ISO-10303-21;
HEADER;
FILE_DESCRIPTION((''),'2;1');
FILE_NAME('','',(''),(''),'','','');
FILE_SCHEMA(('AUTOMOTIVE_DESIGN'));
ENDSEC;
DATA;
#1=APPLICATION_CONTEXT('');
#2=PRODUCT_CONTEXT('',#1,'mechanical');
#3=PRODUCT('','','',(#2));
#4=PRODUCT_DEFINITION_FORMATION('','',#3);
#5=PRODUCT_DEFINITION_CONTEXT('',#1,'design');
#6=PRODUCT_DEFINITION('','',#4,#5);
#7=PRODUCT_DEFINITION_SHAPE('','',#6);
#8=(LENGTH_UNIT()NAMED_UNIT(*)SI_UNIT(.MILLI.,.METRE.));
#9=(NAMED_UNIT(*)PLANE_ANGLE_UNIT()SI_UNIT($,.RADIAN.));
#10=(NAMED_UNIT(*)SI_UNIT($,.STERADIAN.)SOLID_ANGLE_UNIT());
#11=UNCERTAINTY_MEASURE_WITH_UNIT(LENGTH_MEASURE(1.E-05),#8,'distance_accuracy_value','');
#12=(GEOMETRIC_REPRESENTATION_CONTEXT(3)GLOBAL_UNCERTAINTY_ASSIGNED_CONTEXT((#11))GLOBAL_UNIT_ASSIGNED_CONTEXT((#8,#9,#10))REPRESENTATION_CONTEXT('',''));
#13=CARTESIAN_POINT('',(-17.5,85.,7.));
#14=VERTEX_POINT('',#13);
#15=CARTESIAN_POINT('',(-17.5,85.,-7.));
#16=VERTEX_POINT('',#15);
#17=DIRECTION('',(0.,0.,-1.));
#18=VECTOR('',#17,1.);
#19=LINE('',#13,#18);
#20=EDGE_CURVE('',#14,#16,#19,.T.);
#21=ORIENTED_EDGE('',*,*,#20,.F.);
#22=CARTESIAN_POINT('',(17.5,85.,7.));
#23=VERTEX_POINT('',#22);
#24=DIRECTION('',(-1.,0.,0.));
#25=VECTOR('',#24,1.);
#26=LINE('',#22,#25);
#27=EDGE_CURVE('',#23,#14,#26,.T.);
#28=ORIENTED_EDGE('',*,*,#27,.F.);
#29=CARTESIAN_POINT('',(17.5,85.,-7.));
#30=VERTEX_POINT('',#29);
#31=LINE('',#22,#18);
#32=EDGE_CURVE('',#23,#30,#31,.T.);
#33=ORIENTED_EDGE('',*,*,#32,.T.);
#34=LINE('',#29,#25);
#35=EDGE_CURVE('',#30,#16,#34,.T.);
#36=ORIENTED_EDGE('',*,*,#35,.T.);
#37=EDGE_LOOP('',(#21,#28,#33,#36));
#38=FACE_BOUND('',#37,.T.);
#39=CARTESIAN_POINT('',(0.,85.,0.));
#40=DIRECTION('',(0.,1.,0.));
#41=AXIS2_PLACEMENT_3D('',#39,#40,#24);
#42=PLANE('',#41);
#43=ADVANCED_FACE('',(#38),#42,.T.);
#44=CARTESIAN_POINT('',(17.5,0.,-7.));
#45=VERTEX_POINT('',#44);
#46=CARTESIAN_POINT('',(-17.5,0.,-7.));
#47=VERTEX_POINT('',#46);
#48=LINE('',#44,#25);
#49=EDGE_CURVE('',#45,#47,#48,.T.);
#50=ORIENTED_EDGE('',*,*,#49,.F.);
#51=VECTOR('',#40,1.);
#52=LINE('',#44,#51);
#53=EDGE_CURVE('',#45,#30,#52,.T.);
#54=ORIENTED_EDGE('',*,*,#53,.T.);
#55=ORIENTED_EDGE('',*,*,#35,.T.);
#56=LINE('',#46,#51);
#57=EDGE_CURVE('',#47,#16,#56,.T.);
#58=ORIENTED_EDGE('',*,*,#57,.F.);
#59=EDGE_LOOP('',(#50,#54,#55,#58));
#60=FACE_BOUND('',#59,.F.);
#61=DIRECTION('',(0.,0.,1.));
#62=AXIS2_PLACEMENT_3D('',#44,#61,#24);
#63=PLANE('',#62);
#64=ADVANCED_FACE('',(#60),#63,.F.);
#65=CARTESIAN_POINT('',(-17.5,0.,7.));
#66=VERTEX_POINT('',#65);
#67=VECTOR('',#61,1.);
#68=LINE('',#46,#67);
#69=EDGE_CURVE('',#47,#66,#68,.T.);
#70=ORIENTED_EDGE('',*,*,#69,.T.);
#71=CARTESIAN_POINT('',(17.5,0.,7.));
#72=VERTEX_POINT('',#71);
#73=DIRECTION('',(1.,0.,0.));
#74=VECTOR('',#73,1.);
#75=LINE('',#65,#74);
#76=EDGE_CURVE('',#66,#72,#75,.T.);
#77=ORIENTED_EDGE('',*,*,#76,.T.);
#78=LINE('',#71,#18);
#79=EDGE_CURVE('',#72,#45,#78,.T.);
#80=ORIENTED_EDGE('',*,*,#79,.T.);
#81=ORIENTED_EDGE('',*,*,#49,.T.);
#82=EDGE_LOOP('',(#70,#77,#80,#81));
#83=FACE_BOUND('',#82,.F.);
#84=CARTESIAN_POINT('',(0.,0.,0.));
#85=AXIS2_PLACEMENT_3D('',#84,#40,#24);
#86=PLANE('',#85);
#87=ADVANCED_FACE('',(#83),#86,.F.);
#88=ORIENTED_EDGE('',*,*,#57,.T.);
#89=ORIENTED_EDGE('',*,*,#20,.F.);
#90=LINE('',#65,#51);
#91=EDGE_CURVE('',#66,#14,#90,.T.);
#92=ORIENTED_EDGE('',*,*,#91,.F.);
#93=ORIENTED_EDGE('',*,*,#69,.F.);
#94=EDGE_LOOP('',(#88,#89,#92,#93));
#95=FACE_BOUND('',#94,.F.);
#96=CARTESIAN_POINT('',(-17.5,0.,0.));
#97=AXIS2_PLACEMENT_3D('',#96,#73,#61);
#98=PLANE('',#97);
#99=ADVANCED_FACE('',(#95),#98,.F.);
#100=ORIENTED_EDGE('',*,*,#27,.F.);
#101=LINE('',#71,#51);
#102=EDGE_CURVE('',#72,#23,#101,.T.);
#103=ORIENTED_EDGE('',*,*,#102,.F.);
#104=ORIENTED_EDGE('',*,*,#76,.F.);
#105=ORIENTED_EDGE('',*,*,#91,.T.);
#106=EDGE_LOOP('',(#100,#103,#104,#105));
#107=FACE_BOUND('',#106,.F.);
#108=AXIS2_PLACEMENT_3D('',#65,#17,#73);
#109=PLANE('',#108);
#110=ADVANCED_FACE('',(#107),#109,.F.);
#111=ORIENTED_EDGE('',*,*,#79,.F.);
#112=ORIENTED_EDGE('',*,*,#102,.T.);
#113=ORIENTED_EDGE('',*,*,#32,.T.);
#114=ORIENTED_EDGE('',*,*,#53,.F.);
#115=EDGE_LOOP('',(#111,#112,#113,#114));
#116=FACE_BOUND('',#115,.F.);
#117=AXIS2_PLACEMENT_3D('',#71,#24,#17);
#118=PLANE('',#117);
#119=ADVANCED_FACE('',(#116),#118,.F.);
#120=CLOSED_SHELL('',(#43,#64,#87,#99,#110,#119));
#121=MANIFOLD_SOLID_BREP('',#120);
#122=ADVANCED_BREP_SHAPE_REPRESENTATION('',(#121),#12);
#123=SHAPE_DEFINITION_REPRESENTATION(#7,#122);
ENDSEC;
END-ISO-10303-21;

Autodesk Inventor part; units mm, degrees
ref_plane "YZ Plane" through (0, 0, 0) normal (1, 0, 0) x (0, 1, 0)
ref_plane "XZ Plane" through (0, 0, 0) normal (0, 1, 0) x (-1, 0, 0)
ref_plane "XY Plane" through (0, 0, 0) normal (0, 0, 1) x (1, 0, 0)
sketch "Sketch1" plane through (0, 0, 0) normal (0, 1, 0) x (-1, 0, 0)
  line L0 (0, 0) -> (17.5, 0)
  line L1 (17.5, 0) -> (17.5, 7)
  line L2 (17.5, 7) -> (0, 7)
  line L3 (0, 7) -> (0, 0)
  line L4 (17.5, 7) -> (-17.5, 7)
  line L5 (-17.5, 7) -> (-17.5, -7)
  line L6 (-17.5, -7) -> (17.5, -7)
  line L7 (17.5, -7) -> (17.5, 7)
  dimension "d0" = 17.5
  dimension "d1" = 7
  dimension "d2" = 35
  dimension "d3" = 14
extrude "Extrusion1" add sketch "Sketch1" along normal blind 85
properties part number "Batery"
